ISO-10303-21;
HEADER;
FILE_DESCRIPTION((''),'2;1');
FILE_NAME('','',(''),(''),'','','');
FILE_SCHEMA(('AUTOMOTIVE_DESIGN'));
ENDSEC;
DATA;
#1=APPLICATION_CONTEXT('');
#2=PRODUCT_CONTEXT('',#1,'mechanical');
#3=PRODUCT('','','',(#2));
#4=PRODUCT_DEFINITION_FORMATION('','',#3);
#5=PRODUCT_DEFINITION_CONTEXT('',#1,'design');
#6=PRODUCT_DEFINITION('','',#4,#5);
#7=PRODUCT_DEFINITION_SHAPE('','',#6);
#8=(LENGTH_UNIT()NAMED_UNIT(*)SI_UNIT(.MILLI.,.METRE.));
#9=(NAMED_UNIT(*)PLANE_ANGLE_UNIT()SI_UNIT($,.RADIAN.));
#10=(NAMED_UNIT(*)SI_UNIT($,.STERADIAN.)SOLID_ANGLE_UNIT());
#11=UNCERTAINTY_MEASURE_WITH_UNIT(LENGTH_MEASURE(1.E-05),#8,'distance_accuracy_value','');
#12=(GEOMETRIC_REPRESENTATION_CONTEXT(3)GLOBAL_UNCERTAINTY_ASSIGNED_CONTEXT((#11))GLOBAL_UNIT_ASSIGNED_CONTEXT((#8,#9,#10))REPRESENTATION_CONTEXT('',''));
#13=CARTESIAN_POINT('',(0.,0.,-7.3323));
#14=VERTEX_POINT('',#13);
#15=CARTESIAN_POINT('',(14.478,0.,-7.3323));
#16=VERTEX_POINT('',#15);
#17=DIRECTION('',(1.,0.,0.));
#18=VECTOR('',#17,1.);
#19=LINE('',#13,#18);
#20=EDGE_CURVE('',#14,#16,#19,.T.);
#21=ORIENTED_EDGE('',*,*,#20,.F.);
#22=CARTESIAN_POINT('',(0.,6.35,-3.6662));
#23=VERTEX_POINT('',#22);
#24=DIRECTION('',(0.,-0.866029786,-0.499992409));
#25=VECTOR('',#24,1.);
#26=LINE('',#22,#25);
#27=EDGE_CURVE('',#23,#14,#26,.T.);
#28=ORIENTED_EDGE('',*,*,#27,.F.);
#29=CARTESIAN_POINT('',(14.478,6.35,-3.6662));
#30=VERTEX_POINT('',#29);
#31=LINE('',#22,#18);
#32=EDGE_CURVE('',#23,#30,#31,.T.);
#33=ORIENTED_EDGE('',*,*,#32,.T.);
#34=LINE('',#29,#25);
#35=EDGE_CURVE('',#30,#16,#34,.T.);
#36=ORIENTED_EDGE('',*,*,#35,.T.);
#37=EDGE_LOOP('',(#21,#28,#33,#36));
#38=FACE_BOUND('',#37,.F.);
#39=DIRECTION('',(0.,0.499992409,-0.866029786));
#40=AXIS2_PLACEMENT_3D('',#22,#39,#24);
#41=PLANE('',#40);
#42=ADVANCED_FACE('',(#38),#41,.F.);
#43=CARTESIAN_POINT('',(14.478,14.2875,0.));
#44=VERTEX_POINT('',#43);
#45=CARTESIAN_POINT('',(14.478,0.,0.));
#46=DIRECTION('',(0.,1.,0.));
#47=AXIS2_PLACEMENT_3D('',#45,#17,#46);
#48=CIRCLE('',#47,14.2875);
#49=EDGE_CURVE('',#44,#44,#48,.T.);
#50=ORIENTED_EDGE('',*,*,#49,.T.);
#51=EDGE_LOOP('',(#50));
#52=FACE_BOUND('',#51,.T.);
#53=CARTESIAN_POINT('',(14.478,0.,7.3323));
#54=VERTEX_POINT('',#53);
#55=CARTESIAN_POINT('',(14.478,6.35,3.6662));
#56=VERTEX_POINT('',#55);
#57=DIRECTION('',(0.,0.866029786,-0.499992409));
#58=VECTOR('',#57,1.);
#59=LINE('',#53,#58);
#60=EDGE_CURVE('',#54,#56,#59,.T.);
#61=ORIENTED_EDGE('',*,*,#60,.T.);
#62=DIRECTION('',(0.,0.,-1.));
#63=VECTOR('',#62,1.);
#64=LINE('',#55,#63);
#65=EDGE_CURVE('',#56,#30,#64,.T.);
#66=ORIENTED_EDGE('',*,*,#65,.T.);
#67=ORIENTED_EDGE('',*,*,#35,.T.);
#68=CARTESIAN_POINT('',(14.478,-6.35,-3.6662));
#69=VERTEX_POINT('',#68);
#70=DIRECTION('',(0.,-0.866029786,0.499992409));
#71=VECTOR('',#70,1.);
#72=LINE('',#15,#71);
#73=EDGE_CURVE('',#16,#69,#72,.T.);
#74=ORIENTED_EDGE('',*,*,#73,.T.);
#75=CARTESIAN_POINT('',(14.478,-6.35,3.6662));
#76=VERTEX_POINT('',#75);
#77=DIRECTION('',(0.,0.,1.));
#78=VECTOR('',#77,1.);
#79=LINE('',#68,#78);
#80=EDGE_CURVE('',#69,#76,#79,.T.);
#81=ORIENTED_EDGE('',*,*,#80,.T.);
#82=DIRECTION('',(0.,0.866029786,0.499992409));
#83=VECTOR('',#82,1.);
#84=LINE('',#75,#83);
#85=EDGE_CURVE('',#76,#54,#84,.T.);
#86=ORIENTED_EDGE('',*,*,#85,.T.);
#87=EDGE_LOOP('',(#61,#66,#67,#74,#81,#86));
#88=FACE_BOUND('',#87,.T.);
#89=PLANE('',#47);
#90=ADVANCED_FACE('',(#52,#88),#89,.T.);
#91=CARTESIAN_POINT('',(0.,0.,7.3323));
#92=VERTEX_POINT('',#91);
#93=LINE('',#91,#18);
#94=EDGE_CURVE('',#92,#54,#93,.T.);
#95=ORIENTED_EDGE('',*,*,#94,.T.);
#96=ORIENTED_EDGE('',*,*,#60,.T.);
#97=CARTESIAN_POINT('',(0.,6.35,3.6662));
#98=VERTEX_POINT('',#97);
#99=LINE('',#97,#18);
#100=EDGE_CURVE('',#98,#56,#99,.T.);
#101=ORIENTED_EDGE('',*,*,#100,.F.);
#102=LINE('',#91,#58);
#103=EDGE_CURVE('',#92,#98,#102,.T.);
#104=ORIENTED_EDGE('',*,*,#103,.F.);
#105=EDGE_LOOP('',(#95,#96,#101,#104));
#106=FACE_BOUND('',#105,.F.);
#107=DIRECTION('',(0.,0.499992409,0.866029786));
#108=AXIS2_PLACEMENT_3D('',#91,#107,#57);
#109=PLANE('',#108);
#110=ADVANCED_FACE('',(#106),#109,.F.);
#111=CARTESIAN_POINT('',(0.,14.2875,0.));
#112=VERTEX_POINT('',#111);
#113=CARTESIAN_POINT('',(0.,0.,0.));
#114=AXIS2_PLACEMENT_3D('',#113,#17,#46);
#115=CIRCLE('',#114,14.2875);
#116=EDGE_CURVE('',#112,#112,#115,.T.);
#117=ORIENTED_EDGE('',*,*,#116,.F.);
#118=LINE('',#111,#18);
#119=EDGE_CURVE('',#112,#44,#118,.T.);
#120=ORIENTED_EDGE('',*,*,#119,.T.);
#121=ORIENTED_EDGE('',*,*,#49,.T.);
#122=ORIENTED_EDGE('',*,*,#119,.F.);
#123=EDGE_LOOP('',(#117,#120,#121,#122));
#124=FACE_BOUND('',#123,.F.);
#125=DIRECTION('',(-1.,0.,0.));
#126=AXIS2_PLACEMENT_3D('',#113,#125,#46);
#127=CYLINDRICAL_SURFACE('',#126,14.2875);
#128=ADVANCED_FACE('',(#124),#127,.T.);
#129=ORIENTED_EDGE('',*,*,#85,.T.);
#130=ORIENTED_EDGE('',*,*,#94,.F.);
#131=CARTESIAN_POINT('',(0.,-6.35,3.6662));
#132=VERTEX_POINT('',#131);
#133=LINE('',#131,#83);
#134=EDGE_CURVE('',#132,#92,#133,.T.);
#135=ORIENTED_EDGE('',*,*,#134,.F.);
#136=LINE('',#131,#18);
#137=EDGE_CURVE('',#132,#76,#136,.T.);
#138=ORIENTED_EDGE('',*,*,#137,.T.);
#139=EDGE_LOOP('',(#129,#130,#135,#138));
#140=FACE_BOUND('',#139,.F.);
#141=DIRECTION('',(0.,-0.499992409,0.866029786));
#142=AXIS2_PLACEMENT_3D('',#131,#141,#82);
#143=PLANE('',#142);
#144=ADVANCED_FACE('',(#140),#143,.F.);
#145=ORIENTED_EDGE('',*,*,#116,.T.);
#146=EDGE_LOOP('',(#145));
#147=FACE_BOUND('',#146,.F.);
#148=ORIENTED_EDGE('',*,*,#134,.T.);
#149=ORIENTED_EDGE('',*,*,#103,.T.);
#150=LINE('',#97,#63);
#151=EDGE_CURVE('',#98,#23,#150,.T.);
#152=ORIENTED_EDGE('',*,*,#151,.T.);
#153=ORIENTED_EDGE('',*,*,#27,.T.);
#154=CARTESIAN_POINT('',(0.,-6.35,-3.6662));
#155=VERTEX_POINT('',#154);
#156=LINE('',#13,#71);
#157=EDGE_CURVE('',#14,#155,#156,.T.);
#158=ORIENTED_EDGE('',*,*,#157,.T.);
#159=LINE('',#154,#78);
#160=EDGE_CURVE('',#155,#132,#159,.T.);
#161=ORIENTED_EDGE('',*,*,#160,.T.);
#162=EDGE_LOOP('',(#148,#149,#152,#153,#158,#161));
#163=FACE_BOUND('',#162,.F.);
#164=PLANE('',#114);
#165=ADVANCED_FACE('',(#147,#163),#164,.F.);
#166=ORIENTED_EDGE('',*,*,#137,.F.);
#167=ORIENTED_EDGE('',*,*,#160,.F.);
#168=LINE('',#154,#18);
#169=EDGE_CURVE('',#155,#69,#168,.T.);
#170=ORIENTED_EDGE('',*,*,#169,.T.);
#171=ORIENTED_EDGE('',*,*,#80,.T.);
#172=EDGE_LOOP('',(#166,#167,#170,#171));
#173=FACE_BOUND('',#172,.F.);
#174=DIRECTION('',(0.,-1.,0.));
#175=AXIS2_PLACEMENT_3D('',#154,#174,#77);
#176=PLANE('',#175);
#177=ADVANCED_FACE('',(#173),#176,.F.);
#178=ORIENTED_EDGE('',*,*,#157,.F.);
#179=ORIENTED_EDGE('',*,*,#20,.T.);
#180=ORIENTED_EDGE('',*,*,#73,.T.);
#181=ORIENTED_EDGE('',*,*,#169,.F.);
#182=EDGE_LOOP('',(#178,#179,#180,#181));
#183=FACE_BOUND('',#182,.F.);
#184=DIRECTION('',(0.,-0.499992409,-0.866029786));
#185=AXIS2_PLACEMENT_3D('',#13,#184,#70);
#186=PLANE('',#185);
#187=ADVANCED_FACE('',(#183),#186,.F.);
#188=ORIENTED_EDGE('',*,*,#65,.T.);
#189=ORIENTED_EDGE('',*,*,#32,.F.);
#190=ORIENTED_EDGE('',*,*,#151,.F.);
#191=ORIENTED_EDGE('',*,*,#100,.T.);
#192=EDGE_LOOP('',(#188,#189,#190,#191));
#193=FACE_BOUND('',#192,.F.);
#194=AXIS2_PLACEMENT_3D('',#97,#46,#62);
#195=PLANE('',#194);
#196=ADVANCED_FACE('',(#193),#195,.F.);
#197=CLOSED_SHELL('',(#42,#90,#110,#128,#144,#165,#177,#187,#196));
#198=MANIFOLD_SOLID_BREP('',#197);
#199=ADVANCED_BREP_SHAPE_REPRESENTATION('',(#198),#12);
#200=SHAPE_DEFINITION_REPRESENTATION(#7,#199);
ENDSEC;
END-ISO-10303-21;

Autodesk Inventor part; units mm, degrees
ref_plane "YZ Plane" through (0, 0, 0) normal (1, 0, 0) x (0, 1, 0)
ref_plane "XZ Plane" through (0, 0, 0) normal (0, 1, 0) x (-1, 0, 0)
ref_plane "XY Plane" through (0, 0, 0) normal (0, 0, 1) x (1, 0, 0)
sketch "Sketch1" plane through (0, 0, 0) normal (1, 0, 0) x (0, 1, 0)
  circle A0 centre (0, 0) radius 14.2875
  line L0 (0, -7.3323) -> (-6.35, -3.6662)
  line L1 (-6.35, -3.6662) -> (-6.35, 3.6662)
  line L2 (-6.35, 3.6662) -> (0, 7.3323)
  line L3 (0, 7.3323) -> (6.35, 3.6662)
  line L4 (6.35, 3.6662) -> (6.35, -3.6662)
  line L5 (6.35, -3.6662) -> (0, -7.3323)
  dimension "d1" = 28.575
  dimension "d4" = 12.7
extrude "Extrusion2" add sketch "Sketch1" along normal blind 14.478
properties part number "Spacer"
